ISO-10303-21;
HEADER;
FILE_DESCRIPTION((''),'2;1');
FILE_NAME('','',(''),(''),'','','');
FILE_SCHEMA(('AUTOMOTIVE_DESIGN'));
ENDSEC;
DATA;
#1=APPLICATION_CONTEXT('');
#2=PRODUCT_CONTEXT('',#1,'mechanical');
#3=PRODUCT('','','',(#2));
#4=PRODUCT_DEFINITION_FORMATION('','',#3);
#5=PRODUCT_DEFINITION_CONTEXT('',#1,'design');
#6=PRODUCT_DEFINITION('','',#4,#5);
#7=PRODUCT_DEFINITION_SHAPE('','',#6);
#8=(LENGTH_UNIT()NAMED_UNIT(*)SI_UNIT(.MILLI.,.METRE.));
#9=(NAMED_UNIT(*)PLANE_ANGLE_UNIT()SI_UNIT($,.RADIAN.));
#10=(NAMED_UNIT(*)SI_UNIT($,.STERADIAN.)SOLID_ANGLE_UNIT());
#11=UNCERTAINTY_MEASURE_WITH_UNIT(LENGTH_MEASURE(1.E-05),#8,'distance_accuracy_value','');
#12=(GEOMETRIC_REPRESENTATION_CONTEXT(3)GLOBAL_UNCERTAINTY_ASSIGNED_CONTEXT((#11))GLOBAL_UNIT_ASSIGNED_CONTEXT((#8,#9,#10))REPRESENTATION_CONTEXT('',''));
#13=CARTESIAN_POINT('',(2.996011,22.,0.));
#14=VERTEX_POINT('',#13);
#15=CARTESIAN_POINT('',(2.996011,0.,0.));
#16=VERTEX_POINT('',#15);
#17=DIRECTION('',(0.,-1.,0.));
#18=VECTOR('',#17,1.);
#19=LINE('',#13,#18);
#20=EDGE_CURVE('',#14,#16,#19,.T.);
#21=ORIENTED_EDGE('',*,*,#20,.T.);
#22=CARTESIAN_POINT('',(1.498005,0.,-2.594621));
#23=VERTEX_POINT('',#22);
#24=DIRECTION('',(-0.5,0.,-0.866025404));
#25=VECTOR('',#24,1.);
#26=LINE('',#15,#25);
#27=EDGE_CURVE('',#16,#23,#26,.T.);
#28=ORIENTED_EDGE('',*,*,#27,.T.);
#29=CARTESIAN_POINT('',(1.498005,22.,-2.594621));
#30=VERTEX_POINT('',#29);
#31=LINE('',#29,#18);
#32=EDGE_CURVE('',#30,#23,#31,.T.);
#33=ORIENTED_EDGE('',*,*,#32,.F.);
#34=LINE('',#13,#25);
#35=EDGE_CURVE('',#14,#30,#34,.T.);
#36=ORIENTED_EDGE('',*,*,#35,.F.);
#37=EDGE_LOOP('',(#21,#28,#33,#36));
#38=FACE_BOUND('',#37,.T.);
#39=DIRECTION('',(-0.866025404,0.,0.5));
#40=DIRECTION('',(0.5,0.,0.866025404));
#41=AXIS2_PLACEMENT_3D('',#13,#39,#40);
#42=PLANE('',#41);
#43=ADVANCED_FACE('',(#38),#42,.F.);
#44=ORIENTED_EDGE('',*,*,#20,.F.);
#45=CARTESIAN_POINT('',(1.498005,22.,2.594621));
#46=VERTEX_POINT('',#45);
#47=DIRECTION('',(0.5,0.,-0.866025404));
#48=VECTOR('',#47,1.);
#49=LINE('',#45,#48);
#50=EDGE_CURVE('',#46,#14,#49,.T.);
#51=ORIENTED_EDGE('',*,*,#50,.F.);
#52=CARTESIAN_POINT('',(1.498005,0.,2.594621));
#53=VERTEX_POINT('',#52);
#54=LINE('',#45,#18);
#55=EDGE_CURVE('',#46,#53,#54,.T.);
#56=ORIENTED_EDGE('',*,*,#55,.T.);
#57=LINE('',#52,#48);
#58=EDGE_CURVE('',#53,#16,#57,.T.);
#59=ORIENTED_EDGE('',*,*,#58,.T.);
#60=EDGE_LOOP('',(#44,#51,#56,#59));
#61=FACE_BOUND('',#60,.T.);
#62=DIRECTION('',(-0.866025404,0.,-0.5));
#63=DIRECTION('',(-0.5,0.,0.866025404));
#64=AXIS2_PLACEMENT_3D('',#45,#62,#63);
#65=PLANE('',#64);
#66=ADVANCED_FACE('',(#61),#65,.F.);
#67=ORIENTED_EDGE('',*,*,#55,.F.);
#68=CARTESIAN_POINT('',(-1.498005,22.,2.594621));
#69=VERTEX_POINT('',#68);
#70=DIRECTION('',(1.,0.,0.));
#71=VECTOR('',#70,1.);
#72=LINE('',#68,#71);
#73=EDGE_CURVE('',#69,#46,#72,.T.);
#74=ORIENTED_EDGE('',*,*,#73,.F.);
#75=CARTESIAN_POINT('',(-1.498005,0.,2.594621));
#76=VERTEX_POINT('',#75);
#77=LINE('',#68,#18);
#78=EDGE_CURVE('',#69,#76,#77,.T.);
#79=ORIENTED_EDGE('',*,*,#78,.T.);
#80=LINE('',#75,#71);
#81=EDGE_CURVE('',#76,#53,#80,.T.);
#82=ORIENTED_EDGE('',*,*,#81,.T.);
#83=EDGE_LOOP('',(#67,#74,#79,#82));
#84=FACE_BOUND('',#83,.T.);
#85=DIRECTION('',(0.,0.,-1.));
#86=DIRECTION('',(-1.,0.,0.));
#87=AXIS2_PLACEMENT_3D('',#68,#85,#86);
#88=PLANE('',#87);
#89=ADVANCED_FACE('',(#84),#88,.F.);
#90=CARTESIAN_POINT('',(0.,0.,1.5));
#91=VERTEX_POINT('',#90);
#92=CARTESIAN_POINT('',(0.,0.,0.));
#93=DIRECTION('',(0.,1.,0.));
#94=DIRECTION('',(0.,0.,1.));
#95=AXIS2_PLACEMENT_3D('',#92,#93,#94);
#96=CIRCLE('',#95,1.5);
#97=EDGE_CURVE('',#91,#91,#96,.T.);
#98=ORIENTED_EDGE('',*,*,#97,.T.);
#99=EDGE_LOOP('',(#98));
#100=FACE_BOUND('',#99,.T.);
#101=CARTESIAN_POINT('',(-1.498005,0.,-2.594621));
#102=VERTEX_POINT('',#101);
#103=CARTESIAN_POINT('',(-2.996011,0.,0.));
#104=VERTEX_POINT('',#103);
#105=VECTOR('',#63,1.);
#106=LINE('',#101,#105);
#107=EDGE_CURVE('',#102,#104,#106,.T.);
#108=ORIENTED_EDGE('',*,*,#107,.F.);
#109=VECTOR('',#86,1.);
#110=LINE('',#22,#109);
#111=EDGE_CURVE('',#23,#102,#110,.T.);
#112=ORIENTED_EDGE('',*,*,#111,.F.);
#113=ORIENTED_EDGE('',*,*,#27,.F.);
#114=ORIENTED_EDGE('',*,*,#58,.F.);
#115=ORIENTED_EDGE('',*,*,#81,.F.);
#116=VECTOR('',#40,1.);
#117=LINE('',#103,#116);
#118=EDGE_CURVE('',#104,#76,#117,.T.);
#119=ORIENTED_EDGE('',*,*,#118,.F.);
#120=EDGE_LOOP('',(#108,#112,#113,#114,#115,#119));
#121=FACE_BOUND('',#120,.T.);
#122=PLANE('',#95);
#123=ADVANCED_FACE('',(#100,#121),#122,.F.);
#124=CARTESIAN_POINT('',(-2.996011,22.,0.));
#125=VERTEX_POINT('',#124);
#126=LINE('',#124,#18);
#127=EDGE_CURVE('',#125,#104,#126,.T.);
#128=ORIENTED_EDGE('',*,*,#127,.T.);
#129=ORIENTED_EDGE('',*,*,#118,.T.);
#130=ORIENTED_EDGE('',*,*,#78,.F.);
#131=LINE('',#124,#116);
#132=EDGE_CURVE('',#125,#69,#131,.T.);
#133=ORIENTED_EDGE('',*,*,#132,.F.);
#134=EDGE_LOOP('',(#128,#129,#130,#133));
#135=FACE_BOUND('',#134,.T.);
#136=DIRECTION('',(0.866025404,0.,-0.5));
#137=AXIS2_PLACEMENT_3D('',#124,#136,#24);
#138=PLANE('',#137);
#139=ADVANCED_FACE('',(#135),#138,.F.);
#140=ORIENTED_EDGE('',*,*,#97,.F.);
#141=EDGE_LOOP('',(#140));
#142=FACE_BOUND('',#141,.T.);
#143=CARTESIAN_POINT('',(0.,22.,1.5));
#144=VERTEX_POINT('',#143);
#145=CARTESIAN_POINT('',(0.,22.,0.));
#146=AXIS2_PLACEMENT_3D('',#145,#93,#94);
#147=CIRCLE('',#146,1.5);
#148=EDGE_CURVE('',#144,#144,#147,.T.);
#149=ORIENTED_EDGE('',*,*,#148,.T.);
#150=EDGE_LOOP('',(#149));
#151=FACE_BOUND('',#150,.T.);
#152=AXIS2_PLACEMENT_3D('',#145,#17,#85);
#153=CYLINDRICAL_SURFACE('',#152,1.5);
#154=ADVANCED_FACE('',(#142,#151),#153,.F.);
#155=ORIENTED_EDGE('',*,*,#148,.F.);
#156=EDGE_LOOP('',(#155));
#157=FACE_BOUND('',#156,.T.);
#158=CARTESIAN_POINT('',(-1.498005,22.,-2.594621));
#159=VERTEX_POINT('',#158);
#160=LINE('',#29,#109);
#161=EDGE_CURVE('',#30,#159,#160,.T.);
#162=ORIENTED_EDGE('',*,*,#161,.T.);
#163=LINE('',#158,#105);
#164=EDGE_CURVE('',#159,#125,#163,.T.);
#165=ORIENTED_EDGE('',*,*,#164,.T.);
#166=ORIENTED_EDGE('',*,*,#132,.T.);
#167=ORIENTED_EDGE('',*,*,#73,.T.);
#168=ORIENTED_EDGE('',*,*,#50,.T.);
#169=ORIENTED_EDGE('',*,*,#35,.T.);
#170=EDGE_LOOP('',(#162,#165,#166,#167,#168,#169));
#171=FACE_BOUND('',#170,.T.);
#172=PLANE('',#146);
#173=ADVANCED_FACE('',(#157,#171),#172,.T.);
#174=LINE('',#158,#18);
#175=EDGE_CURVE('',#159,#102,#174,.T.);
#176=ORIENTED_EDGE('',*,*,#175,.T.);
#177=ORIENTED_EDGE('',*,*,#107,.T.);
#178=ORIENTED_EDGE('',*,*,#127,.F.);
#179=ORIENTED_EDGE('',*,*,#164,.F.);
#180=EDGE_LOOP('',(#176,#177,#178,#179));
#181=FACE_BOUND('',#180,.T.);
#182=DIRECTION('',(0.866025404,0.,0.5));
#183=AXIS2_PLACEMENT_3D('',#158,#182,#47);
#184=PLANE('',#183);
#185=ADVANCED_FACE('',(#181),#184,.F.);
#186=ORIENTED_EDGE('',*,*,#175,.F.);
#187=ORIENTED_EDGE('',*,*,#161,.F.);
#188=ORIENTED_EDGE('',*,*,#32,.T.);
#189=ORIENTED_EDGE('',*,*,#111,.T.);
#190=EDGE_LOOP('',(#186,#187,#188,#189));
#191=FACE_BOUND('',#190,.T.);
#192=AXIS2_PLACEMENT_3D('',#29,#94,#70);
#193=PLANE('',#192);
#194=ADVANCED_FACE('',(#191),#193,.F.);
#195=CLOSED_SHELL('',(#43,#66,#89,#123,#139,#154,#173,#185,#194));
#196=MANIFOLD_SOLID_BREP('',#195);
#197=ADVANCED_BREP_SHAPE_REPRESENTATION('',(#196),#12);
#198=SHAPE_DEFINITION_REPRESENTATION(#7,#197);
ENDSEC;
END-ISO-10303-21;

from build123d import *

# Parameters (mm, degrees)
SKETCH1_R           = 1.5
BOSS_EXTRUDE1_DEPTH = 22


with BuildPart() as part:
    # Sketch1 → Boss-Extrude1 (new body)
    with BuildSketch(Plane(origin=(0, 0, 0), x_dir=(1, 0, 0), z_dir=(0, 1, 0))):
        Polygon((2.99601055, 0), (1.498005275, 2.594621246), (-1.498005275, 2.594621246), (-2.99601055, 0), (-1.498005275, -2.594621246), (1.498005275, -2.594621246), align=None)
        Circle(SKETCH1_R, mode=Mode.SUBTRACT)
    extrude(amount=BOSS_EXTRUDE1_DEPTH)


solid = part.part
